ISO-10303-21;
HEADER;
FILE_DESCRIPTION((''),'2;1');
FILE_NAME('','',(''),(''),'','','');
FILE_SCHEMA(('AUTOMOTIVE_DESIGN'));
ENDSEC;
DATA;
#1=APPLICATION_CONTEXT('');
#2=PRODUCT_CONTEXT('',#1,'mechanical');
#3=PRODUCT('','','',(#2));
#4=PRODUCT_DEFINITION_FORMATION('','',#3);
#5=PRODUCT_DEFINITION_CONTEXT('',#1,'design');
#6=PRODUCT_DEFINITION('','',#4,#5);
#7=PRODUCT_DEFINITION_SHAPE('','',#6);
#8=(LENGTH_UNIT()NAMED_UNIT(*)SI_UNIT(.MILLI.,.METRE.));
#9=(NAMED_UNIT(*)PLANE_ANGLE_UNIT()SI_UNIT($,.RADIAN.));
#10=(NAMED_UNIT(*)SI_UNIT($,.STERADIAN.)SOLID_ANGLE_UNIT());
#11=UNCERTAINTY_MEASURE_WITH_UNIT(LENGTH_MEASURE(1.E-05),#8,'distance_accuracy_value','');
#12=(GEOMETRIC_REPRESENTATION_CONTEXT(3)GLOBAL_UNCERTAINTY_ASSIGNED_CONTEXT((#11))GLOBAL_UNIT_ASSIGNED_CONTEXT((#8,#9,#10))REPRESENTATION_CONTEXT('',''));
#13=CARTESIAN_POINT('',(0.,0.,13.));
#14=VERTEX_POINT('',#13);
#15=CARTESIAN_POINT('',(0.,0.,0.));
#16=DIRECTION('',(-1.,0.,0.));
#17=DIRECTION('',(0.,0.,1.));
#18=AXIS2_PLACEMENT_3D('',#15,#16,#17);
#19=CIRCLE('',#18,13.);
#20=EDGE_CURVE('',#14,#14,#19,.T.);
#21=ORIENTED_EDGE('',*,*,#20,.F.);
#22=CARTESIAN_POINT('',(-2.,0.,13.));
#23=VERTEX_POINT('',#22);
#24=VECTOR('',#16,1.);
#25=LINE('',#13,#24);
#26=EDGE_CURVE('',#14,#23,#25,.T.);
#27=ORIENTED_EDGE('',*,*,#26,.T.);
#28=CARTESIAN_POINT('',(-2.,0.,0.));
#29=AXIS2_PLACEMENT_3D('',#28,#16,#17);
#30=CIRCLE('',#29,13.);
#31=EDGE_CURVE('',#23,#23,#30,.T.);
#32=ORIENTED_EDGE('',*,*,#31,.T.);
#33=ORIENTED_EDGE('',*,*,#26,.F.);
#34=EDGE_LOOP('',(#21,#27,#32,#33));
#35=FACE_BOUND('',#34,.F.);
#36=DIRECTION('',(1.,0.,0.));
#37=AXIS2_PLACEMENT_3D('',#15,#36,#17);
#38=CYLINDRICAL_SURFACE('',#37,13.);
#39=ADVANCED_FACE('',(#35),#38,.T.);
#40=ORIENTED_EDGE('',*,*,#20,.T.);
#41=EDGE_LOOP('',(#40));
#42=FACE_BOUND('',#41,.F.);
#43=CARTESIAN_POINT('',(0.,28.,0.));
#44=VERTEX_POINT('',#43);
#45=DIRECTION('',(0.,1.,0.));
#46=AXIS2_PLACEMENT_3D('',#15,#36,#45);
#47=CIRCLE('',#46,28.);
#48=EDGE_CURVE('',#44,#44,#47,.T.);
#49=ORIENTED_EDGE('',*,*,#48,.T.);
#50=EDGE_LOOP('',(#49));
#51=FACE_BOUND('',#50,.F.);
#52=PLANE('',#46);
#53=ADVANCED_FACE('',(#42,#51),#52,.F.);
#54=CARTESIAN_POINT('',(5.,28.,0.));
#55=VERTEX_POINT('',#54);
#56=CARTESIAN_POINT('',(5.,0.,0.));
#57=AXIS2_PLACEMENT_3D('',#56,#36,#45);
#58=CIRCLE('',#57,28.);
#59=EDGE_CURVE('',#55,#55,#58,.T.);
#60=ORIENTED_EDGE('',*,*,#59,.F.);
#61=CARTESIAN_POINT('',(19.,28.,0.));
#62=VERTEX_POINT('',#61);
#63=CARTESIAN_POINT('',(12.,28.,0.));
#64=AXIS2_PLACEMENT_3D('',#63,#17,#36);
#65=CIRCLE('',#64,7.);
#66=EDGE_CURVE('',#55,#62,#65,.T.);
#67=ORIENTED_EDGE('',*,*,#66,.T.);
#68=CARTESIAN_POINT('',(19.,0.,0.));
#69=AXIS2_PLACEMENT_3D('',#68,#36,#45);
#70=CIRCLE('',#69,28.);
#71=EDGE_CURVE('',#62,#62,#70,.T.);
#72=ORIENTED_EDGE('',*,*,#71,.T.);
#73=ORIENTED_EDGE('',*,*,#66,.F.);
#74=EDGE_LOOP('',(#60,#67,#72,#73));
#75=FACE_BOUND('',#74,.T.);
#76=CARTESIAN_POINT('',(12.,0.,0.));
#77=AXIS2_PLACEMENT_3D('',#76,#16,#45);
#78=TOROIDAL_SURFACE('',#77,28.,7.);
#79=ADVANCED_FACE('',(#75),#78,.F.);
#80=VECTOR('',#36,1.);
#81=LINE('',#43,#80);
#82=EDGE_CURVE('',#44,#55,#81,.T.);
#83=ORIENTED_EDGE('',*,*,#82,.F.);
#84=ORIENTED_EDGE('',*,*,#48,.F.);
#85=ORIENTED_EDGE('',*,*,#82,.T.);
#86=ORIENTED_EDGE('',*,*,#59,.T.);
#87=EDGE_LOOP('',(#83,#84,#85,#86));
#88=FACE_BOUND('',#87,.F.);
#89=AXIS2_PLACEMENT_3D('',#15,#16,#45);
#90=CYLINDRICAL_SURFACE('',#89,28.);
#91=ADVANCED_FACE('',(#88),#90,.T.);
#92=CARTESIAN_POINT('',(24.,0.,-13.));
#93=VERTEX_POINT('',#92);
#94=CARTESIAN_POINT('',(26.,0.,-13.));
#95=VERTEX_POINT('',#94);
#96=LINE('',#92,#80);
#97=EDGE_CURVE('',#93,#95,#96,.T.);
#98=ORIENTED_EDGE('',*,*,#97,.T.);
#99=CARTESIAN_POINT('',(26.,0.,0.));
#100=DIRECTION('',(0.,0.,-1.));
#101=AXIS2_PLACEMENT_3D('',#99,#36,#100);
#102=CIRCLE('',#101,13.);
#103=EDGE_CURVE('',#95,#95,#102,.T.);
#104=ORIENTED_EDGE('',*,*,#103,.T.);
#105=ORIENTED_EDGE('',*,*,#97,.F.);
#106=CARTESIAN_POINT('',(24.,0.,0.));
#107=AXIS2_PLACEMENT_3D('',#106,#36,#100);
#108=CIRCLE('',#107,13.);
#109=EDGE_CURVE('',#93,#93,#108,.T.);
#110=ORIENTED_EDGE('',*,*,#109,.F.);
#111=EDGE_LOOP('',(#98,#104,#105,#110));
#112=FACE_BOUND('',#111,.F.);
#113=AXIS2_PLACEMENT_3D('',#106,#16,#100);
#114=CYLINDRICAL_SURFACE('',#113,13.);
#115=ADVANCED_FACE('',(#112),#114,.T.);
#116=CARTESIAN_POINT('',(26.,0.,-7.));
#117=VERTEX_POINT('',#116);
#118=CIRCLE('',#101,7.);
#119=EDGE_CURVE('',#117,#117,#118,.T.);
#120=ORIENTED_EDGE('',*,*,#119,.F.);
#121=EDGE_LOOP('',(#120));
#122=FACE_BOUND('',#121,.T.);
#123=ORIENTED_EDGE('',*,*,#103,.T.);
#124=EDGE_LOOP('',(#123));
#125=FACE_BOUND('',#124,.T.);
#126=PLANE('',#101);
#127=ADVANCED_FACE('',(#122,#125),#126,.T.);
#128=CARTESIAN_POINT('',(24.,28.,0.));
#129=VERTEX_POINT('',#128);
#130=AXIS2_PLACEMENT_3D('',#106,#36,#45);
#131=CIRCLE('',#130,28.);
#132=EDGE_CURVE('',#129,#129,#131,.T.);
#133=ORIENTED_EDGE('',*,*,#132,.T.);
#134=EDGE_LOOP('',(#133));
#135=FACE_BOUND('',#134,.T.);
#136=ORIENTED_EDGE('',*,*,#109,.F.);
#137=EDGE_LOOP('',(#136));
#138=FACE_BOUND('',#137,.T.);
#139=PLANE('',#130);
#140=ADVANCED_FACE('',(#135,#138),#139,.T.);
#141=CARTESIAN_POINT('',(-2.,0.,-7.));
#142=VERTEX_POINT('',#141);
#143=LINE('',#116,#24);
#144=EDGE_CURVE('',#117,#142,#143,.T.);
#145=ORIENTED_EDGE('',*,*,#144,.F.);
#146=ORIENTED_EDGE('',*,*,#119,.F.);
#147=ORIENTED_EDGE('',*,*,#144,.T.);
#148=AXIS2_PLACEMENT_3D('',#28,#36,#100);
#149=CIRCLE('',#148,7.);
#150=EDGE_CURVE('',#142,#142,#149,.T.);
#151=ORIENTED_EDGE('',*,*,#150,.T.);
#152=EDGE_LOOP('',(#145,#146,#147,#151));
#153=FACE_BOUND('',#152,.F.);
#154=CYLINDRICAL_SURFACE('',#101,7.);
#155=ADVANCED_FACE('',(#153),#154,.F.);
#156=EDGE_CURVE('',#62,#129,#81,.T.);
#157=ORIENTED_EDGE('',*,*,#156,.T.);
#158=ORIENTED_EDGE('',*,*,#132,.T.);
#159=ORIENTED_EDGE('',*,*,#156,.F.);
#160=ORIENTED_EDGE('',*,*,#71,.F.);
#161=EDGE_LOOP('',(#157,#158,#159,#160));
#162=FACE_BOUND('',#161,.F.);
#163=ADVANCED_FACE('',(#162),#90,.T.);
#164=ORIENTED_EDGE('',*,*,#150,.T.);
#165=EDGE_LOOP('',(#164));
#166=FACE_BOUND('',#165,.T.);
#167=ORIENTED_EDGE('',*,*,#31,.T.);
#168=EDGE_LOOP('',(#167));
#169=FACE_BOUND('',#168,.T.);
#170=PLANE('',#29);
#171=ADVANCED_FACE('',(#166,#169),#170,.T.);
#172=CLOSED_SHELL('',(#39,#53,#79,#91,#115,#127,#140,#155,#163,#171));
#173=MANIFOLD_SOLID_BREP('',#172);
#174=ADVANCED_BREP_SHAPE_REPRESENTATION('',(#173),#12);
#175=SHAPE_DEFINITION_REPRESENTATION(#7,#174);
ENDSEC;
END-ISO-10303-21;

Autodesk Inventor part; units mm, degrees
ref_plane "YZ Plane" through (0, 0, 0) normal (1, 0, 0) x (0, 1, 0)
ref_plane "XZ Plane" through (0, 0, 0) normal (0, 1, 0) x (-1, 0, 0)
ref_plane "XY Plane" through (0, 0, 0) normal (0, 0, 1) x (1, 0, 0)
sketch "Sketch1" plane through (0, 0, 0) normal (1, 0, 0) x (0, 1, 0)
  circle A0 centre (0, 0) radius 28
  dimension "d0" = 56
extrude "Extrusion1" add sketch "Sketch1" along normal blind 24
sketch "Sketch2" plane through (24, 0, 0) normal (1, 0, 0) x (0, 0, -1)
  circle A0 centre (0, 0) radius 13
  dimension "d3" = 26
extrude "Extrusion2" add sketch "Sketch2" along normal blind 2
sketch "Sketch3" plane through (0, 0, 0) normal (-1, 0, 0) x (0, 0, 1)
  circle A0 centre (0, 0) radius 13
  dimension "d6" = 26
extrude "Extrusion3" add sketch "Sketch3" along normal blind 2
sketch "Sketch8" plane through (0, 0, 0) normal (0, 0, 1) x (1, 0, 0)
  line L0 (0, 28) -> (24, 28) projected
  circle A0 centre (12, 28) radius 7
  line L1 (-19.1925, 0) -> (68.2113, 0)
  point P0 (0, 0)
  dimension "d14" = 14
revolve "Revolution1" cut sketch "Sketch8" angle 360 about axis through (-19.1925, 0, 0) along (1, 0, 0)
sketch "Sketch9" plane through (26, 0, 0) normal (1, 0, 0) x (0, 0, -1)
  circle A0 centre (0, 0) radius 7
  dimension "d16" = 14
extrude "Extrusion4" cut sketch "Sketch9" against normal blind 30
properties part number "Roue" material "Aluminum 6061-AHC"
